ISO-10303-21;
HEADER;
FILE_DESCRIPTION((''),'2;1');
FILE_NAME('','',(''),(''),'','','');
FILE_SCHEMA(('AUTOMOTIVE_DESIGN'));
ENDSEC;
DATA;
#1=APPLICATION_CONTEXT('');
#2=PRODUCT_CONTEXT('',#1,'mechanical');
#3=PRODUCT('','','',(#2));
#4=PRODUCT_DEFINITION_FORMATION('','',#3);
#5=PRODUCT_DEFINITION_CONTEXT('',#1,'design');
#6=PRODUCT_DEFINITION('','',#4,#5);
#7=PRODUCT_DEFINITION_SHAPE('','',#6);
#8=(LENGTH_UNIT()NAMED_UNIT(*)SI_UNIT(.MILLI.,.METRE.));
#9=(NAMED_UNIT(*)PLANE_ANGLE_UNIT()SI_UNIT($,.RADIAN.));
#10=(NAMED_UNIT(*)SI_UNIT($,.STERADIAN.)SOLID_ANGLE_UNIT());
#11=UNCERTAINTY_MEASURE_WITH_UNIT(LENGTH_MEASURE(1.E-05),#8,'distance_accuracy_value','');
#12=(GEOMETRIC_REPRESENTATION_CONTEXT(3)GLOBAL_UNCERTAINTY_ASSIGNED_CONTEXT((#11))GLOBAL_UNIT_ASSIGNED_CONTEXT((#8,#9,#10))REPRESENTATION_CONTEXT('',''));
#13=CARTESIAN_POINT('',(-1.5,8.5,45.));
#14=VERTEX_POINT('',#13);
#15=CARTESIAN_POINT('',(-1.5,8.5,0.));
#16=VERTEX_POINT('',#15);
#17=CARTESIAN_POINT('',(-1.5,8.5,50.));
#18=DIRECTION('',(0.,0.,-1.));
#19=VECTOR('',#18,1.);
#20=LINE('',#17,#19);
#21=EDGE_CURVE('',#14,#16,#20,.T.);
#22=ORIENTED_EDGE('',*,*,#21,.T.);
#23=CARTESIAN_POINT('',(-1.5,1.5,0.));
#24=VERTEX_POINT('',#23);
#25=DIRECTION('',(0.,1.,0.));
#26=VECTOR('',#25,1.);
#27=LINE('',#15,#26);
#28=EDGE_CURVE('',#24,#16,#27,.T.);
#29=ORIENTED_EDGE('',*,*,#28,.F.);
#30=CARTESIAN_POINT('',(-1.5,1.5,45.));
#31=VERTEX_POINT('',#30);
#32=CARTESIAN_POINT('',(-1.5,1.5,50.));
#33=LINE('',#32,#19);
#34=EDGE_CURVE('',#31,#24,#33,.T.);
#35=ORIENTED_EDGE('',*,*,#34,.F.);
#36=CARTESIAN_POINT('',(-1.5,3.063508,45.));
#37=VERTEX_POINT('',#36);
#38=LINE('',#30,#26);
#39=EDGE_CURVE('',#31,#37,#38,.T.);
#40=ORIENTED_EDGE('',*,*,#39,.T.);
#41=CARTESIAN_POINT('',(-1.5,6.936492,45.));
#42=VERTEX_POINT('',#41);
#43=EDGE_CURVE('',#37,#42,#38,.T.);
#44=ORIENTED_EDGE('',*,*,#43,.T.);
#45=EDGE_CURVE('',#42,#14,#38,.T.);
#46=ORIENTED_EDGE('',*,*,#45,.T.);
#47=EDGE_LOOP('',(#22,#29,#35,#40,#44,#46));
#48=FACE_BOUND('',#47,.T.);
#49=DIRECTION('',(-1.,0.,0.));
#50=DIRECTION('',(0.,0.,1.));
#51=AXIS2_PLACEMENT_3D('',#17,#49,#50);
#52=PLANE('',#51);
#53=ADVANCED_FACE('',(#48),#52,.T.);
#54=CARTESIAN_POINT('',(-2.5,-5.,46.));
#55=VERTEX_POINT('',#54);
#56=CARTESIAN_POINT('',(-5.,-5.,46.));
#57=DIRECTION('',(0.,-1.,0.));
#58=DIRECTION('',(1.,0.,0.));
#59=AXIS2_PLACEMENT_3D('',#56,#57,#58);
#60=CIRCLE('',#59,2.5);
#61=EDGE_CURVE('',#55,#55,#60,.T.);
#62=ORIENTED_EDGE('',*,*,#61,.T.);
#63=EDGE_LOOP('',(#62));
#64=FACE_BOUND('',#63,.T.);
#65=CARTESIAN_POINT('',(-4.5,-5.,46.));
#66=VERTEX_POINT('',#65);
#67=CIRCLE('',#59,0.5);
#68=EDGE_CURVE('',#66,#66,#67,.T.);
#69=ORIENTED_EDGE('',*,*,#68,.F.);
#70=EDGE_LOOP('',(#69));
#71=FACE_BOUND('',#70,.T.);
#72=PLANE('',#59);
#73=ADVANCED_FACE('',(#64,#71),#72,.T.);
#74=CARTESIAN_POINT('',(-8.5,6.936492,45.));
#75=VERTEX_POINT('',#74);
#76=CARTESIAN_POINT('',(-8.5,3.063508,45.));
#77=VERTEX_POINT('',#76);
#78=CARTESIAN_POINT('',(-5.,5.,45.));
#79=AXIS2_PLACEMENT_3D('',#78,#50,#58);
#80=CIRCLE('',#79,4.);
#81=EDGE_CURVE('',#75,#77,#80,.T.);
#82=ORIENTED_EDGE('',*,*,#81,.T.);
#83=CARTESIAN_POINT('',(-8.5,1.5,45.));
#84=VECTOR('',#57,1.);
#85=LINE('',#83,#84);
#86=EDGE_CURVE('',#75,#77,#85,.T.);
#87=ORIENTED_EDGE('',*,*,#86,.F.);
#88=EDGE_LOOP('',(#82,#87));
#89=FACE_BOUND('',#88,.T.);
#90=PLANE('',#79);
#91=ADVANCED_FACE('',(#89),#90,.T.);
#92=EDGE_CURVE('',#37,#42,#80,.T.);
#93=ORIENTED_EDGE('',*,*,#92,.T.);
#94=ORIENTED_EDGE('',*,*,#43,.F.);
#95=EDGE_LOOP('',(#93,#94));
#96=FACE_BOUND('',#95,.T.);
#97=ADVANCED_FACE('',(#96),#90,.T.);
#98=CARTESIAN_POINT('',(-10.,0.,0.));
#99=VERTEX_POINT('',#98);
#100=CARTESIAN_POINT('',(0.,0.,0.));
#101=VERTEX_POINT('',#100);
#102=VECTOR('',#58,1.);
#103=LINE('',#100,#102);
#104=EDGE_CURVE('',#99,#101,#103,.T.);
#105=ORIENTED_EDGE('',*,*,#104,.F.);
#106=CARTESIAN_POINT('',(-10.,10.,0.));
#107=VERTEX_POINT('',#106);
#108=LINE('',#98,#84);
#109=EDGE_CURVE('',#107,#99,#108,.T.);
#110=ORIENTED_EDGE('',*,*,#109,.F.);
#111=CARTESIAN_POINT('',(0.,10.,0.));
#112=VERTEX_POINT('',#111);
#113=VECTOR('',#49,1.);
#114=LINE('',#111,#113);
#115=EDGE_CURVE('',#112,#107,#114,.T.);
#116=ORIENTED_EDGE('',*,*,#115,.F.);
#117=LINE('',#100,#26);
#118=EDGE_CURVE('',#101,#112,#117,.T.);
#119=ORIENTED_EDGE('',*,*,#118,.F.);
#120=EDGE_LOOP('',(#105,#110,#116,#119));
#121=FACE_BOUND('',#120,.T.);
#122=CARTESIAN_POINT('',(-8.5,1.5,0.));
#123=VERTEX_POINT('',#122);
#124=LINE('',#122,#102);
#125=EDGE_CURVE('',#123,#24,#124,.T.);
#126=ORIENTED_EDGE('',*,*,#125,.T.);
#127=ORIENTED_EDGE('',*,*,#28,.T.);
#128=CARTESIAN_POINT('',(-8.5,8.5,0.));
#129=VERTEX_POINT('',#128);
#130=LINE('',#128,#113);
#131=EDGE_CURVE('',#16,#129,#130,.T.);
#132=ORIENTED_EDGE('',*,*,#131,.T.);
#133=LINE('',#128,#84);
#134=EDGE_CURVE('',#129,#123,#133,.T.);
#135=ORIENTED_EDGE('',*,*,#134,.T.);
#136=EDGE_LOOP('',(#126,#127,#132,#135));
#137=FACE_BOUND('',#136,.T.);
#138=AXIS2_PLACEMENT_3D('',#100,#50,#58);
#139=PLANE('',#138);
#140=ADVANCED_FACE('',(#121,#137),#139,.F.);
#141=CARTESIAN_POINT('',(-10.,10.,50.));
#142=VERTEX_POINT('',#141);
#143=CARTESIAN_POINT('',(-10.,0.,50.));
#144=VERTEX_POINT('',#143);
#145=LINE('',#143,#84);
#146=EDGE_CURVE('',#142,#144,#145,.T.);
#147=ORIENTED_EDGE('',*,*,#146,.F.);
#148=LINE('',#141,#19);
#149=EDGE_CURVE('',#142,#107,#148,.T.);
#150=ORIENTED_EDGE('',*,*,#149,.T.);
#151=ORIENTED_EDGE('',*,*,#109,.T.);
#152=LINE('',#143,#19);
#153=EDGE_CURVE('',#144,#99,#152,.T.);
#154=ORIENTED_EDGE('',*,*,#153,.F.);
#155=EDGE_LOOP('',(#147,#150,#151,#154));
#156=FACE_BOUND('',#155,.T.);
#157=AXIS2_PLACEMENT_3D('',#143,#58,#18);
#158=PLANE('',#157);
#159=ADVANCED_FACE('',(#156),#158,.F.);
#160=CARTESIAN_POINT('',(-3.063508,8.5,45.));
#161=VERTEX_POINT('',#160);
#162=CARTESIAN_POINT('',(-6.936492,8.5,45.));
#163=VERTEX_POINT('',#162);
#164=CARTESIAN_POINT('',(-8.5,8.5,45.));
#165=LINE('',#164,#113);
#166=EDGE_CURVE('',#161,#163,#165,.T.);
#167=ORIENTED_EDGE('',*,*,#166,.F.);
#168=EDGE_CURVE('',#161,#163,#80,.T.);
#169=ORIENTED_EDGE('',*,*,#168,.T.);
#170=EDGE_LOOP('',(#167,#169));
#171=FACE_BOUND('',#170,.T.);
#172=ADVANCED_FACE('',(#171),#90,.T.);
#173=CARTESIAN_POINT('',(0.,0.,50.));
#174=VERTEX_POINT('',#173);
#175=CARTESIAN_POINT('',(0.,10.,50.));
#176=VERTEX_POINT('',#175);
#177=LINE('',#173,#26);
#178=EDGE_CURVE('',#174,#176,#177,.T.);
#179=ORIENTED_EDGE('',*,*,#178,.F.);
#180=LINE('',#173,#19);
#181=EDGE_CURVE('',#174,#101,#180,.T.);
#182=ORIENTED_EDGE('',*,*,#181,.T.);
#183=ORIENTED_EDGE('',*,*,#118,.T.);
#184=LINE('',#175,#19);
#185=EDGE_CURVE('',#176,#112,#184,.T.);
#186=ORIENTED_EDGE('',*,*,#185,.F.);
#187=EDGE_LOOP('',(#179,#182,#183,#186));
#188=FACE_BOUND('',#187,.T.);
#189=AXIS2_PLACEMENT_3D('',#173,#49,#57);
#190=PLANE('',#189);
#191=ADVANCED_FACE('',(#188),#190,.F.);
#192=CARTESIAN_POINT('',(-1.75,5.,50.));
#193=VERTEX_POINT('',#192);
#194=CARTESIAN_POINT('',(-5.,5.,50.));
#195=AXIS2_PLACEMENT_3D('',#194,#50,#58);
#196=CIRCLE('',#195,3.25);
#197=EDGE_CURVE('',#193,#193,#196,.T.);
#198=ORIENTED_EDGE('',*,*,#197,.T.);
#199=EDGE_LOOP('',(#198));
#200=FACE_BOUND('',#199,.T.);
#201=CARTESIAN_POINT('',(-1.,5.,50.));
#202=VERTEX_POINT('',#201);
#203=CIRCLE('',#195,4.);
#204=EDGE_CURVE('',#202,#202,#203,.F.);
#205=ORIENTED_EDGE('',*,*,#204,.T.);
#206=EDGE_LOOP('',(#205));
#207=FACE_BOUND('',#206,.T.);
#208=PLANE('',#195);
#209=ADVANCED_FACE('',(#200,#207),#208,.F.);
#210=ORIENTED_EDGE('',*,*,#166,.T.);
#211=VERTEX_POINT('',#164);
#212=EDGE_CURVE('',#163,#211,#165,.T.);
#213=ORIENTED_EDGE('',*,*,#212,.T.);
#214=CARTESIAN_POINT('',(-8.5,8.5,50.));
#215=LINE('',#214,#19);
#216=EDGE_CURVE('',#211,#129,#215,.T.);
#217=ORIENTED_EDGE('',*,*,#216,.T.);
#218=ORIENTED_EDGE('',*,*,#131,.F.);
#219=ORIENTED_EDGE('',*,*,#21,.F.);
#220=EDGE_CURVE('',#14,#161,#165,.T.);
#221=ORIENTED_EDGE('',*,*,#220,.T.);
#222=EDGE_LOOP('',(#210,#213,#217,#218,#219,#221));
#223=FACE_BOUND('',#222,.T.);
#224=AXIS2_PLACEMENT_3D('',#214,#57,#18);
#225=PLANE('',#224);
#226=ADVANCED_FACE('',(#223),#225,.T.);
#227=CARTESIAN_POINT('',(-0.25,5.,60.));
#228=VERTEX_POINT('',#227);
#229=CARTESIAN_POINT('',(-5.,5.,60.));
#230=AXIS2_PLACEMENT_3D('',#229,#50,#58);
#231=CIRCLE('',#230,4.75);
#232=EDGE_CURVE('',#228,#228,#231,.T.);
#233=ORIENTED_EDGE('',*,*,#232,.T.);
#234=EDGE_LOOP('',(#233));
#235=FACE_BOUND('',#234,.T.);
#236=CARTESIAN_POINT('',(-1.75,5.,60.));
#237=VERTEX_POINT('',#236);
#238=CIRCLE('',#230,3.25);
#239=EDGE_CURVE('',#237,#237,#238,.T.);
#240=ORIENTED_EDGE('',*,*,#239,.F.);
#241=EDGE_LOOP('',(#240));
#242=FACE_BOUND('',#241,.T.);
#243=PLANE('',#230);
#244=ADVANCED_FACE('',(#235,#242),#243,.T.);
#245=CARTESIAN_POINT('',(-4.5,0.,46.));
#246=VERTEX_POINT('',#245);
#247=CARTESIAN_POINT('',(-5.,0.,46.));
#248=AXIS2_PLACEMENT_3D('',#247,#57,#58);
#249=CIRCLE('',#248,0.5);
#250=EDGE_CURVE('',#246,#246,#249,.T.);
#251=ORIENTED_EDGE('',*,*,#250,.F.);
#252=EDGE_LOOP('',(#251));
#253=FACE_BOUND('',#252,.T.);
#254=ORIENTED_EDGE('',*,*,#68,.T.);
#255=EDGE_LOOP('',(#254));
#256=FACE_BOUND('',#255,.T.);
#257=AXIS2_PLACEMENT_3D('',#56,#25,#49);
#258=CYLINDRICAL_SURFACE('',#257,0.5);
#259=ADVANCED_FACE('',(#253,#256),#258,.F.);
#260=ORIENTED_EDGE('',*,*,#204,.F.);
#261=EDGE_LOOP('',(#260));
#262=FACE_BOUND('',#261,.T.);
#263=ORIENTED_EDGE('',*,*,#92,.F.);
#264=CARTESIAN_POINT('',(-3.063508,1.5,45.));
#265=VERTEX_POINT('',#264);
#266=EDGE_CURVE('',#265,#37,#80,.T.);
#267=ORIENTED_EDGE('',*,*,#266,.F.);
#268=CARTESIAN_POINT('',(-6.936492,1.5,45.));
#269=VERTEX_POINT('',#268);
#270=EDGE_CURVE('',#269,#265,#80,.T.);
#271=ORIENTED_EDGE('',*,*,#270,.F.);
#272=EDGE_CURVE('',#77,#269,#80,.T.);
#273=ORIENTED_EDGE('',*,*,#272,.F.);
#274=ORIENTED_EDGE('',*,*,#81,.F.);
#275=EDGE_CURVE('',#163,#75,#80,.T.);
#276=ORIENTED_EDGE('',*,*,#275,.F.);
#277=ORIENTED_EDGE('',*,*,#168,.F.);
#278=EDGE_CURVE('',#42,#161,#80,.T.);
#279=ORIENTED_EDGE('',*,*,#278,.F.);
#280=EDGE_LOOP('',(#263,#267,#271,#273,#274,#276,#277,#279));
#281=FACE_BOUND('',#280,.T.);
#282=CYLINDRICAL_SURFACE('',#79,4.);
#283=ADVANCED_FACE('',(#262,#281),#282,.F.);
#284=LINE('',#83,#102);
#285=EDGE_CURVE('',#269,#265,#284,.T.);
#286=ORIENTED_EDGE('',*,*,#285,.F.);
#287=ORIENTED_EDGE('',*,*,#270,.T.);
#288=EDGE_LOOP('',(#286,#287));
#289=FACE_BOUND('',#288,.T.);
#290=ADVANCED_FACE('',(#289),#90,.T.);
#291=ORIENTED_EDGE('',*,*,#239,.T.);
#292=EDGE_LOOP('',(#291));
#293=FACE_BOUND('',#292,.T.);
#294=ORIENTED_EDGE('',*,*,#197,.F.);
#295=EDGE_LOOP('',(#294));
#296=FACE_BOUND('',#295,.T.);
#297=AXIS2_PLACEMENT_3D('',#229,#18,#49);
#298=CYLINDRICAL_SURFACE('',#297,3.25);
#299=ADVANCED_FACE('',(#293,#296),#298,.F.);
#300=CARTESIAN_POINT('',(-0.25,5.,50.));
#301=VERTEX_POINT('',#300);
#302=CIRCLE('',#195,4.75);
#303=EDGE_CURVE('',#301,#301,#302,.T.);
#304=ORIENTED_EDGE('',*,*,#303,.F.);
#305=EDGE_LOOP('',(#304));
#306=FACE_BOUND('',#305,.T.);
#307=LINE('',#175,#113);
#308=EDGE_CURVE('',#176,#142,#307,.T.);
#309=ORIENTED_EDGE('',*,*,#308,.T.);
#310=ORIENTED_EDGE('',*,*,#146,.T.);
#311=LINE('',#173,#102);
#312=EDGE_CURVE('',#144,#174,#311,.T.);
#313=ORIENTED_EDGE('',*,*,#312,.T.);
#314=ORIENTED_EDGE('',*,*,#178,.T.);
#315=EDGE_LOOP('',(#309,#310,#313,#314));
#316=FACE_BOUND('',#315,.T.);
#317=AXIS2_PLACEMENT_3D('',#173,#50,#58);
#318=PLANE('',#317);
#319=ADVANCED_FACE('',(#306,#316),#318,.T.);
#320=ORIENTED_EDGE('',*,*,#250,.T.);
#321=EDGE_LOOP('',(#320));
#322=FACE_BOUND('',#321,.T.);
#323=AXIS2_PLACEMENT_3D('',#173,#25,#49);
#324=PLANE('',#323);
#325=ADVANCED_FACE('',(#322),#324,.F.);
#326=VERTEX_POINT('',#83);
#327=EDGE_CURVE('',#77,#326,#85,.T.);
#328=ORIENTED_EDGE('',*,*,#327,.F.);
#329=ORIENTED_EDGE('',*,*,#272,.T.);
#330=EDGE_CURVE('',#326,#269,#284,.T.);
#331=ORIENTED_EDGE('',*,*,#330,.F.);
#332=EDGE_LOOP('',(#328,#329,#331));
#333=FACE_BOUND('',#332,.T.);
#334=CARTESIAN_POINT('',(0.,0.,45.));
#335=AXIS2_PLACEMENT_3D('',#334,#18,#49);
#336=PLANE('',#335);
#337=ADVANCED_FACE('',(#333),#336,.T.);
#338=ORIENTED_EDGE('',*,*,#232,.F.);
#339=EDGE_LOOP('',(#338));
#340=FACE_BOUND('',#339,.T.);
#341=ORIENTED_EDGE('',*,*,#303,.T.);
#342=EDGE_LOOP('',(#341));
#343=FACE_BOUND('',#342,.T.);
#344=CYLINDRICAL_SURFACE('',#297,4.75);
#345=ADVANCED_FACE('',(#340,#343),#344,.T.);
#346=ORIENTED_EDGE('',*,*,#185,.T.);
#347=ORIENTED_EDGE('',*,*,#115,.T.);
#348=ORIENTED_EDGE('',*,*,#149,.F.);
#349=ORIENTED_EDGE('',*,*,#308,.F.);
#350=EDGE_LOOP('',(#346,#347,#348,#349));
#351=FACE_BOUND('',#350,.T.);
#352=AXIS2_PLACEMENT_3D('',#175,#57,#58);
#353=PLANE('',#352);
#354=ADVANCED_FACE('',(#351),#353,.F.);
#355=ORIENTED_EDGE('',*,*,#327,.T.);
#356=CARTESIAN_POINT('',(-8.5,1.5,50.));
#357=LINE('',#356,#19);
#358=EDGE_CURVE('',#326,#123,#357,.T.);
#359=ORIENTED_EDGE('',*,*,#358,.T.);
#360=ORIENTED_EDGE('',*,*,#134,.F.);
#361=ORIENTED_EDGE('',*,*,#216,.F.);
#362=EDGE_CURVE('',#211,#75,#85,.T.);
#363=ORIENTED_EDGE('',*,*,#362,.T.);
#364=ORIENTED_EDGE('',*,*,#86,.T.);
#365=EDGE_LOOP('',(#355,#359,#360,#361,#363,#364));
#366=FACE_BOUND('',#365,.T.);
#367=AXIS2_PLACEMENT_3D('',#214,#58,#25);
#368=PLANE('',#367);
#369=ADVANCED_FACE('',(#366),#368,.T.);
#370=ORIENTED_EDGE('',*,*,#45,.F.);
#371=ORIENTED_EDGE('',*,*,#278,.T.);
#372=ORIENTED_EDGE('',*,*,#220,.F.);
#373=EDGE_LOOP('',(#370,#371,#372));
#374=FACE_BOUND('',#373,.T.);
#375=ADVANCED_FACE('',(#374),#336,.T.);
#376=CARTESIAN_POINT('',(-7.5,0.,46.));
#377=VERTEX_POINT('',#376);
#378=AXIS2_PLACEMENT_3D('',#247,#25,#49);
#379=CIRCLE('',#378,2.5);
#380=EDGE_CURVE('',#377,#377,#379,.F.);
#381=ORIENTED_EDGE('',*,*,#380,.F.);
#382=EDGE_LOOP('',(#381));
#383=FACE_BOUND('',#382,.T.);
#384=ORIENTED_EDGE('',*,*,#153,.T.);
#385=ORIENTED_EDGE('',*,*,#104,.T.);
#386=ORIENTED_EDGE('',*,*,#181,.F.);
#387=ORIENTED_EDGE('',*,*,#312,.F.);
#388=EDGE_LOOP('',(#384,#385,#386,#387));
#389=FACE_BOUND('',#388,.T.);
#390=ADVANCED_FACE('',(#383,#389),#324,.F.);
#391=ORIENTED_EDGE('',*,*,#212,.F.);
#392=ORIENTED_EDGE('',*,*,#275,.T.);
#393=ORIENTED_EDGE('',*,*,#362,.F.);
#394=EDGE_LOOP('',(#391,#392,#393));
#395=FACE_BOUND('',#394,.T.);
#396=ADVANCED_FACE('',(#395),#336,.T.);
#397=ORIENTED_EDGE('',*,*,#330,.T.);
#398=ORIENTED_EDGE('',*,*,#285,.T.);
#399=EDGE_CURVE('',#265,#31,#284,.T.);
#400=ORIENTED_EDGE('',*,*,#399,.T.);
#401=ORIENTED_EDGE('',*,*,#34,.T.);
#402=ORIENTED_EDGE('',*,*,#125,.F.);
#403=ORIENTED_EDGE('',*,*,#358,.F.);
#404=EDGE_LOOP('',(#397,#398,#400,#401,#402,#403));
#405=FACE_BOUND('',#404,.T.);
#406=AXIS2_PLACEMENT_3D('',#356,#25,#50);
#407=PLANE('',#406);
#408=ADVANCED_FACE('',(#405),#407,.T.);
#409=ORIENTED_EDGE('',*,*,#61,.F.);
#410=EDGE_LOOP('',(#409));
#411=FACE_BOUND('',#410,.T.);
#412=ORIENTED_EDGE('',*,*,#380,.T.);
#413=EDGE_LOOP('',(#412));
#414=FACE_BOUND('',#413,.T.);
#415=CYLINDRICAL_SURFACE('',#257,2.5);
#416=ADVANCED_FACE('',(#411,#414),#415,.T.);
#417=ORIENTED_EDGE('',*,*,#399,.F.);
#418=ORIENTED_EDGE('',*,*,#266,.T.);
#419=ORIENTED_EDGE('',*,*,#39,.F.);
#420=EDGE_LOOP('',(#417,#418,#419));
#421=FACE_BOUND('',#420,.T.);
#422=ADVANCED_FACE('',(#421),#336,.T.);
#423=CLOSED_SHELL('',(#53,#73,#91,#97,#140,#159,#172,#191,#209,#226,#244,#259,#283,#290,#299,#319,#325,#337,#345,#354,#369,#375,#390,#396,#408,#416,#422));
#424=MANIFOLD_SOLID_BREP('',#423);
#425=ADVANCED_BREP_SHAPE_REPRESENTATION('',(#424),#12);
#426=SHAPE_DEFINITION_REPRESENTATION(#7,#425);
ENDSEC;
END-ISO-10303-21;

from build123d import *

# Parameters (mm, degrees)
SKETCH1_W           = 10
SKETCH1_H           = 10
SKETCH1_W_2         = 7
SKETCH1_H_2         = 7
BOSS_EXTRUDE1_DEPTH = 50
SKETCH2_W           = 7
SKETCH2_H           = 7
BOSS_EXTRUDE2_DEPTH = 5
SKETCH3_R           = 4
CUT_EXTRUDE1_DEPTH  = 5
SKETCH4_R           = 2.5
SKETCH4_R_2         = 0.5
BOSS_EXTRUDE3_DEPTH = 5
SKETCH5_R           = 4.75
SKETCH5_R_2         = 3.25
BOSS_EXTRUDE4_DEPTH = 10


with BuildPart() as part:
    # Sketch1 → Boss-Extrude1 (new body)
    with BuildSketch(Plane.XY):
        with Locations((-5, 5)):
            Rectangle(SKETCH1_W, SKETCH1_H)
        with Locations((-5, 5)):
            Rectangle(SKETCH1_W_2, SKETCH1_H_2, mode=Mode.SUBTRACT)
    extrude(amount=BOSS_EXTRUDE1_DEPTH)

    # Sketch2 → Boss-Extrude2 (add)
    with BuildSketch(Plane.XY.offset(50)):
        with Locations((-5, 5)):
            Rectangle(SKETCH2_W, SKETCH2_H)
    extrude(amount=-BOSS_EXTRUDE2_DEPTH)

    # Sketch3 → Cut-Extrude1 (cut)
    with BuildSketch(Plane.XY.offset(50)):
        with Locations((-5, 5)):
            Circle(SKETCH3_R)
    extrude(amount=-CUT_EXTRUDE1_DEPTH, mode=Mode.SUBTRACT)

    # Sketch4 → Boss-Extrude3 (add)
    with BuildSketch(Plane.XZ):
        with Locations(Location((-5, 46, 0), (0, 0, 180))):
            Circle(SKETCH4_R)
        with Locations((-5, 46)):
            Circle(SKETCH4_R_2, mode=Mode.SUBTRACT)
    extrude(amount=BOSS_EXTRUDE3_DEPTH)

    # Sketch5 → Boss-Extrude4 (add)
    with BuildSketch(Plane.XY.offset(50)):
        with Locations((-5, 5)):
            Circle(SKETCH5_R)
        with Locations((-5, 5)):
            Circle(SKETCH5_R_2, mode=Mode.SUBTRACT)
    extrude(amount=BOSS_EXTRUDE4_DEPTH)


solid = part.part
